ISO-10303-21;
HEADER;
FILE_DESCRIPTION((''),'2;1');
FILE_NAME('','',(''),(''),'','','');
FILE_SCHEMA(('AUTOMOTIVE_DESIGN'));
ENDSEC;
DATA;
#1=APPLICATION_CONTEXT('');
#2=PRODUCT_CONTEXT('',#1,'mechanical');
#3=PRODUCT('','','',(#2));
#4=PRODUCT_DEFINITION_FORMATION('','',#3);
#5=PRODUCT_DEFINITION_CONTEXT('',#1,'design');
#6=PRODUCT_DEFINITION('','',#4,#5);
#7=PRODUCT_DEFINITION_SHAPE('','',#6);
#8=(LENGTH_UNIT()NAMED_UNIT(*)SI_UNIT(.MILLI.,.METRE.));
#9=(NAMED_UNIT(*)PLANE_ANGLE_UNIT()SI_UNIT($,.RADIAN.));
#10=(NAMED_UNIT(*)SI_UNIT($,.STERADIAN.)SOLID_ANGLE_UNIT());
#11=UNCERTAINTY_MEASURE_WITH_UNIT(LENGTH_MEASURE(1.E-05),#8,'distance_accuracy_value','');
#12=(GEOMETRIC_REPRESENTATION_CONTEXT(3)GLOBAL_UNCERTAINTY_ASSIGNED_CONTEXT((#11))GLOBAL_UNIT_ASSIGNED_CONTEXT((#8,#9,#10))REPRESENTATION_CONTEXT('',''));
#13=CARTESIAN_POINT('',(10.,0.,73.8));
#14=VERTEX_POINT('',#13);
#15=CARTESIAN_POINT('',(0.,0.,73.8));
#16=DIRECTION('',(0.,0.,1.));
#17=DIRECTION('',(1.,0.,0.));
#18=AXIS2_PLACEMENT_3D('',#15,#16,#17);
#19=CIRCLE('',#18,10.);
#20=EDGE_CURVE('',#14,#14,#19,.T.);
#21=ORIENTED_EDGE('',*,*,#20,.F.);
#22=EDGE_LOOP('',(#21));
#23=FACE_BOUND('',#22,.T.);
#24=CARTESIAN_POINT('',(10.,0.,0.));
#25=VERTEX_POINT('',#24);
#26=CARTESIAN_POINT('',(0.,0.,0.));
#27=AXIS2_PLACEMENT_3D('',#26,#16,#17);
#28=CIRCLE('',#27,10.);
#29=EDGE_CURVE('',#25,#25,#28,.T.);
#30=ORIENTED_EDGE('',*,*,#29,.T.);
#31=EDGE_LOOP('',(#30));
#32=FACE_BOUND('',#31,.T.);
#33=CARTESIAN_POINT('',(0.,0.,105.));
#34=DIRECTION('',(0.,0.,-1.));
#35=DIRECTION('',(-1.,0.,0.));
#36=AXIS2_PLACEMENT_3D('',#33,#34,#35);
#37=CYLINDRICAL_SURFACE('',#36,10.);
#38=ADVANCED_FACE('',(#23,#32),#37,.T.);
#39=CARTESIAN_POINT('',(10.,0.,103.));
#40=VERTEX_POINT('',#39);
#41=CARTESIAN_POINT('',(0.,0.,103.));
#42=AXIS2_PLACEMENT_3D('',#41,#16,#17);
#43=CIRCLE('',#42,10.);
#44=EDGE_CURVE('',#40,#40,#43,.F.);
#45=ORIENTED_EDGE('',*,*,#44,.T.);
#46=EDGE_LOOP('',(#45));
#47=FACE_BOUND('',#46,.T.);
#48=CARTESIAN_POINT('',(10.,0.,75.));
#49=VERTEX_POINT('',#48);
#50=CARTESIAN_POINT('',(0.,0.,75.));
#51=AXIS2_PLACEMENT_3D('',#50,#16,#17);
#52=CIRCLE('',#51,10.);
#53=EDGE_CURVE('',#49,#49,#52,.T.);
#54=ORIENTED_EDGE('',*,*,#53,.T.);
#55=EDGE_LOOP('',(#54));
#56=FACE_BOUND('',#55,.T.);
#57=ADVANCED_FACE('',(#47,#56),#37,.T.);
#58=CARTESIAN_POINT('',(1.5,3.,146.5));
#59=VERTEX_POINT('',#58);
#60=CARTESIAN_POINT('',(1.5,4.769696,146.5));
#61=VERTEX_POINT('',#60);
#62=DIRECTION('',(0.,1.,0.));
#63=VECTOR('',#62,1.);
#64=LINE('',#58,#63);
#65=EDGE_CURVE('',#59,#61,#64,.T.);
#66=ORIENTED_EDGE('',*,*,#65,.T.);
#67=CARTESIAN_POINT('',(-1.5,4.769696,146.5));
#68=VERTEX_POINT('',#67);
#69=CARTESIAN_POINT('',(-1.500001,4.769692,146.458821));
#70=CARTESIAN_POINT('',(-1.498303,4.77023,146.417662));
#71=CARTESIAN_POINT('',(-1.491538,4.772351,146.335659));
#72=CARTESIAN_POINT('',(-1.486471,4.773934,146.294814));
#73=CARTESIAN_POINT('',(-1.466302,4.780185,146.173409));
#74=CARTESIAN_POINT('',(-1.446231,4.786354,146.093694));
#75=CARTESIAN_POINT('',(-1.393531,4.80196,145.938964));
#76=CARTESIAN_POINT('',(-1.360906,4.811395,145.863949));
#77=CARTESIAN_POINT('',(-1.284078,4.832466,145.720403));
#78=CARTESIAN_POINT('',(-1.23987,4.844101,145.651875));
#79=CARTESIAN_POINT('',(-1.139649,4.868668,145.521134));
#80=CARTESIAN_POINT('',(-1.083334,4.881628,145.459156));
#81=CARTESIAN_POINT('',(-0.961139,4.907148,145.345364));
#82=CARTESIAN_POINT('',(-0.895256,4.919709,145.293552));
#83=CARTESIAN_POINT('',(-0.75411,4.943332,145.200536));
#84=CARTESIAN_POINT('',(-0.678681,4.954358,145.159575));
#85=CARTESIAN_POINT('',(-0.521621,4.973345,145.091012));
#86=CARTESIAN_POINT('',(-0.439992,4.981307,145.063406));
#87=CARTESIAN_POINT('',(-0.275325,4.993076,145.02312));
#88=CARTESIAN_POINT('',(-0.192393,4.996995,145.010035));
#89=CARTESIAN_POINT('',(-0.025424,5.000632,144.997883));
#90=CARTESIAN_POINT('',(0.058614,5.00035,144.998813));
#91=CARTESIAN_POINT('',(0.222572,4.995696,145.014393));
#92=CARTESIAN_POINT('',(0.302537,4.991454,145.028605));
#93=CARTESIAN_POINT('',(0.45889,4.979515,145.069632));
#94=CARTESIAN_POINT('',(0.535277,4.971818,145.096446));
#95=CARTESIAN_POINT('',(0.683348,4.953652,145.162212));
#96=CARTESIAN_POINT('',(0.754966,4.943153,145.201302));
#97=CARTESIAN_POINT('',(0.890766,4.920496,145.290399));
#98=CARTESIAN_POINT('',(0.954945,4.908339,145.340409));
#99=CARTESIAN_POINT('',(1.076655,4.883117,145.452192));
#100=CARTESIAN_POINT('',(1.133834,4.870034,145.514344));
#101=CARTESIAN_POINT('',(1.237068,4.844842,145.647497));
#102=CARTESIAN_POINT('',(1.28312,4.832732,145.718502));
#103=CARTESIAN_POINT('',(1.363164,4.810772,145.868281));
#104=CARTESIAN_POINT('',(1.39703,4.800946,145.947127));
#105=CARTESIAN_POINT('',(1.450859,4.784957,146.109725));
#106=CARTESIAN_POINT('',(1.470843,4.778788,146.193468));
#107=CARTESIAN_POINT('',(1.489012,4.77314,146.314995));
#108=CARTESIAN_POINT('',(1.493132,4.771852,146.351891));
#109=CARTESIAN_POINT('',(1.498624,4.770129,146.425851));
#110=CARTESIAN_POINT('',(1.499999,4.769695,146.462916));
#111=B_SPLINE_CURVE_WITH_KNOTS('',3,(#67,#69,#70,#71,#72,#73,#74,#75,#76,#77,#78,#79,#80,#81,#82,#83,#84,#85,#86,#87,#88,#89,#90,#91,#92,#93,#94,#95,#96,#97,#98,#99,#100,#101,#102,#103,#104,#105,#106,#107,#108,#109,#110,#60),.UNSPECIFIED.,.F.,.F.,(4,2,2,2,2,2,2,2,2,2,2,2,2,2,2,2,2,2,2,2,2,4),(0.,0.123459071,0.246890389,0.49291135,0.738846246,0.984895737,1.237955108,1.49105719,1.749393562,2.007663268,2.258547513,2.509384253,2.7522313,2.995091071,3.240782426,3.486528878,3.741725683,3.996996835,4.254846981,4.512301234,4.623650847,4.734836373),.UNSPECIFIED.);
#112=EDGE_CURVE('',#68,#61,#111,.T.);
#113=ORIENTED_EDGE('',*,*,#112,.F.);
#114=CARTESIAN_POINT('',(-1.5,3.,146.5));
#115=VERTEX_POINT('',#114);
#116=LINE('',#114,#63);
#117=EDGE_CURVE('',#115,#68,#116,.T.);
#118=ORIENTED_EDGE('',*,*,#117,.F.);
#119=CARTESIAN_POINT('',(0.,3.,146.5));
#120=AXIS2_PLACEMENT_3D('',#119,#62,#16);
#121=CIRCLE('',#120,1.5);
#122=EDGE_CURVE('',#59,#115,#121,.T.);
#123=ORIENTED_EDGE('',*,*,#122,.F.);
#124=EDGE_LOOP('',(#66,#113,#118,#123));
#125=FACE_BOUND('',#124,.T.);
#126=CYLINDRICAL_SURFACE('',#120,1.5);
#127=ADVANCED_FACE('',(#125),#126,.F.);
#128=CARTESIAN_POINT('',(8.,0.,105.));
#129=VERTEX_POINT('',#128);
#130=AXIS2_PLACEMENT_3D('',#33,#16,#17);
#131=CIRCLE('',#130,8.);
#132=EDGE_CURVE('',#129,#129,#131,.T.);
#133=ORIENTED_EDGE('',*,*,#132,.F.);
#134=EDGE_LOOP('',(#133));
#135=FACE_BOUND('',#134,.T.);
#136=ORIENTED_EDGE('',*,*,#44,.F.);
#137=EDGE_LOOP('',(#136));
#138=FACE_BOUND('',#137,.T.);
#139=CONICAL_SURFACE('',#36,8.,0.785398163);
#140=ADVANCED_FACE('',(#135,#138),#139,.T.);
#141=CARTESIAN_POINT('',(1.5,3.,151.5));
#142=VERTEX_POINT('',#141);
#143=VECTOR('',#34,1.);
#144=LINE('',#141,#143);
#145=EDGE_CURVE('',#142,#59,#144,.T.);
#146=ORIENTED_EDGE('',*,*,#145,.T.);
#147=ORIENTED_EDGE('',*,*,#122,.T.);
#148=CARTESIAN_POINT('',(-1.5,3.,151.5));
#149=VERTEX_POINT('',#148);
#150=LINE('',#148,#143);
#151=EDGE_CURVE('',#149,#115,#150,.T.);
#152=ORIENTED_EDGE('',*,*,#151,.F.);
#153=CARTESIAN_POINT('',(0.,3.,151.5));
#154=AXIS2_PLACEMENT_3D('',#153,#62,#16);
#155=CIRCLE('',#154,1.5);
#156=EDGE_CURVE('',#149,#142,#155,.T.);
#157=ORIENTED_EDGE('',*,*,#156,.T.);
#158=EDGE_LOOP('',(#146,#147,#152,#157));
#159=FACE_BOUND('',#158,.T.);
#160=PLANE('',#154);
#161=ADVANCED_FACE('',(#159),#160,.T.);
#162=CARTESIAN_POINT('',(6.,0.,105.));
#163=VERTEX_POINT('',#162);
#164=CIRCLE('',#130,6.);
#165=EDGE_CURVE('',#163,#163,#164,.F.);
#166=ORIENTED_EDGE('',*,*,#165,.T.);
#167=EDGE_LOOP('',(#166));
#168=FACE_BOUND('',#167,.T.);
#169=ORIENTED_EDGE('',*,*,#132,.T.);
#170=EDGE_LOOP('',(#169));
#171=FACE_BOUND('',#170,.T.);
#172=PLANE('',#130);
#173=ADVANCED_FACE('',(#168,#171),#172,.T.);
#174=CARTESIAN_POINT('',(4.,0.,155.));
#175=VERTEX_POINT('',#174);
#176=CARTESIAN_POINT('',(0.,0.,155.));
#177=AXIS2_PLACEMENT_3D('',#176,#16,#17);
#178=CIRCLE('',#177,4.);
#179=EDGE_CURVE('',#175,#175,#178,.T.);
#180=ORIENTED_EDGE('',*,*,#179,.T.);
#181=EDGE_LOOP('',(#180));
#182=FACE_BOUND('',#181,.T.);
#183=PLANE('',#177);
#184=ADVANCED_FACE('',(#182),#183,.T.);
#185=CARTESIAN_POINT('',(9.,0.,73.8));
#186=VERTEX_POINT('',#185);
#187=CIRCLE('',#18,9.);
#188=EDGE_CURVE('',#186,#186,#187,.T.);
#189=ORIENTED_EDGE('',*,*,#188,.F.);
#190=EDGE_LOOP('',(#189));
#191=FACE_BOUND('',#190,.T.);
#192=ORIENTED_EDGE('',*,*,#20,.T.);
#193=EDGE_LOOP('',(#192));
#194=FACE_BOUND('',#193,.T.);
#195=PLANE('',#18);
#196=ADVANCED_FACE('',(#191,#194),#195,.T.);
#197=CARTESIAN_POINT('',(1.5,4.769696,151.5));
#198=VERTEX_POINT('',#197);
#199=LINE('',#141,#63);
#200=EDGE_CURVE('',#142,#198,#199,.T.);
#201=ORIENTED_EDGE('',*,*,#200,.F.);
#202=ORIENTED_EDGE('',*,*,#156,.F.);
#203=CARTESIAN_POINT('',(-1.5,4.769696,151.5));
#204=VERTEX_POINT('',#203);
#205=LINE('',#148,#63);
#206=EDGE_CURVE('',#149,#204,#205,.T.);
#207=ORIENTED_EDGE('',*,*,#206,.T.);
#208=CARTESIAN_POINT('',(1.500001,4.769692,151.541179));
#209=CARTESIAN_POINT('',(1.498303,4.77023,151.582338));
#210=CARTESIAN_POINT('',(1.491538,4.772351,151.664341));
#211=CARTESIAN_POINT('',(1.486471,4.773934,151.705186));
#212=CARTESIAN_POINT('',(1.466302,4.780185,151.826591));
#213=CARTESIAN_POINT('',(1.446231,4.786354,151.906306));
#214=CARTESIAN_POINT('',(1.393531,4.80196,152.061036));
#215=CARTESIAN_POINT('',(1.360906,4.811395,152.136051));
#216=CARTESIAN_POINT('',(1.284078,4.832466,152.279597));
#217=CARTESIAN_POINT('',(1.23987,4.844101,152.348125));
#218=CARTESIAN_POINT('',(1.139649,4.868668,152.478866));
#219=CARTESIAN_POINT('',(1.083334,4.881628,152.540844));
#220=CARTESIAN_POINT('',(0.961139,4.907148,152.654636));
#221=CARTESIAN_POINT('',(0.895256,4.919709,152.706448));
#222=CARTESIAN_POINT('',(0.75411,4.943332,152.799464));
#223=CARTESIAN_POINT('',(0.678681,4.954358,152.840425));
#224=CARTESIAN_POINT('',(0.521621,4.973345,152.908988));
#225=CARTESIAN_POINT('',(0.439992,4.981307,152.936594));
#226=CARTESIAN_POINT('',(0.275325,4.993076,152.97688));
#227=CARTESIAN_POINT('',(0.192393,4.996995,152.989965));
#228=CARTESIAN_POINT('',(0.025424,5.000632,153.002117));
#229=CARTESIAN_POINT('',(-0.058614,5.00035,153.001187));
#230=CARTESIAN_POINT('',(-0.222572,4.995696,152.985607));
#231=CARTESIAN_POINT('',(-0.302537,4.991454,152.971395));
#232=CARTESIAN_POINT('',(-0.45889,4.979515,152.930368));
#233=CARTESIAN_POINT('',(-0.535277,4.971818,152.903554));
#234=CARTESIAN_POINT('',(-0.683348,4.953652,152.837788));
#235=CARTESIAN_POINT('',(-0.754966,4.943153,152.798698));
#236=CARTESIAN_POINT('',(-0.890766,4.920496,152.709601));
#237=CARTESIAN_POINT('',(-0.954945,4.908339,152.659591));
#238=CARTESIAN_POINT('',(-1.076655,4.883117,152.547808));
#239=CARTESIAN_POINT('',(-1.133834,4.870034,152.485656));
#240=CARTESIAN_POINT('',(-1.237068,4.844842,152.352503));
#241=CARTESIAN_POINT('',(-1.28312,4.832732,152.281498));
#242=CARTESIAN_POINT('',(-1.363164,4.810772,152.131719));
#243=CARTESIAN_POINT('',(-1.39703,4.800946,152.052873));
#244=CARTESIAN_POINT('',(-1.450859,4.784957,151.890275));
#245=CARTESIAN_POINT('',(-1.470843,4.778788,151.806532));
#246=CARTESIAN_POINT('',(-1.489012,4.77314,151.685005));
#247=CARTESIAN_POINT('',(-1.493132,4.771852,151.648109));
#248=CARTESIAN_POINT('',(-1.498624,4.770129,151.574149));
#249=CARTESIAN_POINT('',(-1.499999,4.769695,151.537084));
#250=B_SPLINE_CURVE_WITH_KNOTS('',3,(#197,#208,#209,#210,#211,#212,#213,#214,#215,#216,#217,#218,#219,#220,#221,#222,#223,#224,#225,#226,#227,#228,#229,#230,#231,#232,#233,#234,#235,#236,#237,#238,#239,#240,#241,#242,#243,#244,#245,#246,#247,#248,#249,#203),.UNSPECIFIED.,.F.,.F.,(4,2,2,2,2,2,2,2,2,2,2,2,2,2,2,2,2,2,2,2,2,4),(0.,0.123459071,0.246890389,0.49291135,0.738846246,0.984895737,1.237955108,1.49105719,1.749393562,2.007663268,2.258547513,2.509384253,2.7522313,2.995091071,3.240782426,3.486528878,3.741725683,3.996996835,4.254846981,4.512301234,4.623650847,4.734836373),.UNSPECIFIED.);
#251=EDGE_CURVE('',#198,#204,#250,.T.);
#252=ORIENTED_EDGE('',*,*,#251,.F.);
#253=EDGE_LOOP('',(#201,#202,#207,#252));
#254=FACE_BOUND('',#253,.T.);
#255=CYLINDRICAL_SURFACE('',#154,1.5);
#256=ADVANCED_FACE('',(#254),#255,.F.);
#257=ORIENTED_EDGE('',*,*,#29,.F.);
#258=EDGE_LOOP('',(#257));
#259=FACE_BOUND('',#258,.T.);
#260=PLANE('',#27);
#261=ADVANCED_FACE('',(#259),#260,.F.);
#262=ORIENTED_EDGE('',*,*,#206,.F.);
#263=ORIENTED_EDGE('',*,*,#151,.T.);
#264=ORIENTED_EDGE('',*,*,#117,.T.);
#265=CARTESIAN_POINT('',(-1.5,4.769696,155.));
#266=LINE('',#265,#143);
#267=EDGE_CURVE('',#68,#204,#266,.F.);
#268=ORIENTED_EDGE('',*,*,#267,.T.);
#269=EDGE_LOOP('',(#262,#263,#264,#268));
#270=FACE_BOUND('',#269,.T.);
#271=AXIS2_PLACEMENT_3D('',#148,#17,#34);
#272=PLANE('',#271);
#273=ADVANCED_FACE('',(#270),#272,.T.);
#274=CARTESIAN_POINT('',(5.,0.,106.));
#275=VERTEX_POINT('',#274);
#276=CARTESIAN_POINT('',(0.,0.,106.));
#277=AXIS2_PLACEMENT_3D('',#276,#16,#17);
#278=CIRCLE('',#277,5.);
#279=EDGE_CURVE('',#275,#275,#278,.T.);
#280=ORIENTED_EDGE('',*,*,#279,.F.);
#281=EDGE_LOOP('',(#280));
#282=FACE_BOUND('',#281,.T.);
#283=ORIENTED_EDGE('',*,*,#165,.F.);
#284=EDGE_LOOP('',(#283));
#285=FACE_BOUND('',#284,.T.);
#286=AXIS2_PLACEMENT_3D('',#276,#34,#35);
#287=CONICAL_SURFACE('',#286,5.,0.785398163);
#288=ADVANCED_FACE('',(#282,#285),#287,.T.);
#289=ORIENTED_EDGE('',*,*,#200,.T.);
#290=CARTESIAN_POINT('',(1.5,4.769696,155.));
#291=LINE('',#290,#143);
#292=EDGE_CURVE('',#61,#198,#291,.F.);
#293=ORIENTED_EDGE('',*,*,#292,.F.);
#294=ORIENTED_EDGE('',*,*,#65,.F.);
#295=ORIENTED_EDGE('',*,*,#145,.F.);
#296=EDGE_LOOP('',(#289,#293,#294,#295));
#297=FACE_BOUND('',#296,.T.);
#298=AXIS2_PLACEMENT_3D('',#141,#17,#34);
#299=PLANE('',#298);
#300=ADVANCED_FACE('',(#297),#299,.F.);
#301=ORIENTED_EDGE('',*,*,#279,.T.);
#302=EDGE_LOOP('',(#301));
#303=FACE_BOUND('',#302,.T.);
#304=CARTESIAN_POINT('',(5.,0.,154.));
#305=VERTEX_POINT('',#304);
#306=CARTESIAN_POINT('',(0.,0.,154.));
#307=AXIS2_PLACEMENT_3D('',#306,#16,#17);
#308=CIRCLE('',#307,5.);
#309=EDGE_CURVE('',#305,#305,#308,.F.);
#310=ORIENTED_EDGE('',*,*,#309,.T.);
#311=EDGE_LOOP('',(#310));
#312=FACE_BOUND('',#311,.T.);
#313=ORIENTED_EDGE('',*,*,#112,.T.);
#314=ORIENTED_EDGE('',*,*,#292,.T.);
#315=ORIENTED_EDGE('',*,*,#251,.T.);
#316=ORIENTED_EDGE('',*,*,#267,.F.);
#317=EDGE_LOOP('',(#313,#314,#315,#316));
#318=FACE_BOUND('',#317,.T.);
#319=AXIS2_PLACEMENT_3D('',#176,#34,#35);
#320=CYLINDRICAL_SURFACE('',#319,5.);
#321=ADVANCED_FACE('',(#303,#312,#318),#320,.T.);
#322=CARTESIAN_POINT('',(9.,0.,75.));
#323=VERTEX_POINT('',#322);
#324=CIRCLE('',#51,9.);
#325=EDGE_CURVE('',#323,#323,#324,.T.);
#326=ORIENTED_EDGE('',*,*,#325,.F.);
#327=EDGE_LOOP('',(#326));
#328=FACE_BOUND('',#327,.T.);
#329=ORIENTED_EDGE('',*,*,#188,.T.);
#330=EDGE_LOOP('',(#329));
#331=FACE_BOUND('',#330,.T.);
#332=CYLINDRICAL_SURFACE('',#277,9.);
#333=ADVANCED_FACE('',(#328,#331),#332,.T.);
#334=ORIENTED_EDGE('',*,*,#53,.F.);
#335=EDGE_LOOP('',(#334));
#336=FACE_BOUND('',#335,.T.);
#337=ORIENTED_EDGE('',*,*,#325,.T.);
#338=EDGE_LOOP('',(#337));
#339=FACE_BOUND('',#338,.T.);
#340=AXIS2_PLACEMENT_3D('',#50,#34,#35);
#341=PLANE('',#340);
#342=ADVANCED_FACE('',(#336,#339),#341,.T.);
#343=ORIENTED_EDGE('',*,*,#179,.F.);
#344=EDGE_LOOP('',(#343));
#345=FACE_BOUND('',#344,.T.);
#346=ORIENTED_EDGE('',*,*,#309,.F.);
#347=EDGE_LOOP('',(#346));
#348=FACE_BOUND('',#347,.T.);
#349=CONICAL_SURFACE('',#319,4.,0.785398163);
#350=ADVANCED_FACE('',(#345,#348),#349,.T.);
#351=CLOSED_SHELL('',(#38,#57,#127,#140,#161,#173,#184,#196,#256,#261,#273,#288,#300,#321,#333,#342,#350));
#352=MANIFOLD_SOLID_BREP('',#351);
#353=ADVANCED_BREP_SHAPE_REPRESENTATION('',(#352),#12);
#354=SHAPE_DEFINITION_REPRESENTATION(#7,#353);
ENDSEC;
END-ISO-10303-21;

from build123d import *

# Parameters (mm, degrees)
SZKIC1_R                    = 10
DODANIE_WYCI_GNI_CIE1_DEPTH = 105
SZKIC2_R                    = 5
DODANIE_WYCI_GNI_CIE2_DEPTH = 50
WYTNIJ_WYCI_GNI_CIE1_DEPTH  = 2
SFAZOWANIE1_SIZE            = 1
SFAZOWANIE2_SIZE            = 2
SFAZOWANIE3_SIZE            = 1
SZKIC5_W                    = 1
SZKIC5_H                    = 1.2


with BuildPart() as part:
    # Szkic1 → Dodanie-wyciągnięcie1 (new body)
    with BuildSketch(Plane.XY):
        Circle(SZKIC1_R)
    extrude(amount=DODANIE_WYCI_GNI_CIE1_DEPTH)

    # Szkic2 → Dodanie-wyciągnięcie2 (add)
    with BuildSketch(Plane.XY.offset(105)):
        Circle(SZKIC2_R)
    extrude(amount=DODANIE_WYCI_GNI_CIE2_DEPTH)

    # Szkic3 → Wytnij-wyciągnięcie1 (cut)
    with BuildSketch(Plane(origin=(0, 5, 0), x_dir=(1, 0, 0), z_dir=(0, 1, 0))):
        with BuildLine():
            Line((-1.5, -151.5), (-1.5, -146.5))
            ThreePointArc((-1.5, -146.5), (0, -145), (1.5, -146.5))
            Line((1.5, -146.5), (1.5, -151.5))
            ThreePointArc((1.5, -151.5), (0, -153), (-1.5, -151.5))
        make_face()
    extrude(amount=-WYTNIJ_WYCI_GNI_CIE1_DEPTH, mode=Mode.SUBTRACT)

    # Sfazowanie1
    sfazowanie1_edges = [part.edges().sort_by_distance(p)[0] for p in [
        (-5, 0, 105),
    ]]
    chamfer(sfazowanie1_edges, length=SFAZOWANIE1_SIZE)

    # Sfazowanie2
    sfazowanie2_edges = [part.edges().sort_by_distance(p)[0] for p in [
        (-10, 0, 105),
    ]]
    chamfer(sfazowanie2_edges, length=SFAZOWANIE2_SIZE)

    # Sfazowanie3
    sfazowanie3_edges = [part.edges().sort_by_distance(p)[0] for p in [
        (-5, 0, 155),
    ]]
    chamfer(sfazowanie3_edges, length=SFAZOWANIE3_SIZE)

    # Szkic5 → Wycięcie-obrót1 (revolve, cut)
    with BuildSketch(Plane(origin=(0, 0, 0), x_dir=(1, 0, 0), z_dir=(0, 1, 0)), mode=Mode.PRIVATE) as wyci_cie_obr_t1_sk:
        with Locations((-9.5, -74.4)):
            Rectangle(SZKIC5_W, SZKIC5_H)
    revolve(wyci_cie_obr_t1_sk.sketch.rotate(Axis((0, 0, 106), (0, 0, -1)), 180), axis=Axis((0, 0, 106), (0, 0, -1)), mode=Mode.SUBTRACT)


solid = part.part
